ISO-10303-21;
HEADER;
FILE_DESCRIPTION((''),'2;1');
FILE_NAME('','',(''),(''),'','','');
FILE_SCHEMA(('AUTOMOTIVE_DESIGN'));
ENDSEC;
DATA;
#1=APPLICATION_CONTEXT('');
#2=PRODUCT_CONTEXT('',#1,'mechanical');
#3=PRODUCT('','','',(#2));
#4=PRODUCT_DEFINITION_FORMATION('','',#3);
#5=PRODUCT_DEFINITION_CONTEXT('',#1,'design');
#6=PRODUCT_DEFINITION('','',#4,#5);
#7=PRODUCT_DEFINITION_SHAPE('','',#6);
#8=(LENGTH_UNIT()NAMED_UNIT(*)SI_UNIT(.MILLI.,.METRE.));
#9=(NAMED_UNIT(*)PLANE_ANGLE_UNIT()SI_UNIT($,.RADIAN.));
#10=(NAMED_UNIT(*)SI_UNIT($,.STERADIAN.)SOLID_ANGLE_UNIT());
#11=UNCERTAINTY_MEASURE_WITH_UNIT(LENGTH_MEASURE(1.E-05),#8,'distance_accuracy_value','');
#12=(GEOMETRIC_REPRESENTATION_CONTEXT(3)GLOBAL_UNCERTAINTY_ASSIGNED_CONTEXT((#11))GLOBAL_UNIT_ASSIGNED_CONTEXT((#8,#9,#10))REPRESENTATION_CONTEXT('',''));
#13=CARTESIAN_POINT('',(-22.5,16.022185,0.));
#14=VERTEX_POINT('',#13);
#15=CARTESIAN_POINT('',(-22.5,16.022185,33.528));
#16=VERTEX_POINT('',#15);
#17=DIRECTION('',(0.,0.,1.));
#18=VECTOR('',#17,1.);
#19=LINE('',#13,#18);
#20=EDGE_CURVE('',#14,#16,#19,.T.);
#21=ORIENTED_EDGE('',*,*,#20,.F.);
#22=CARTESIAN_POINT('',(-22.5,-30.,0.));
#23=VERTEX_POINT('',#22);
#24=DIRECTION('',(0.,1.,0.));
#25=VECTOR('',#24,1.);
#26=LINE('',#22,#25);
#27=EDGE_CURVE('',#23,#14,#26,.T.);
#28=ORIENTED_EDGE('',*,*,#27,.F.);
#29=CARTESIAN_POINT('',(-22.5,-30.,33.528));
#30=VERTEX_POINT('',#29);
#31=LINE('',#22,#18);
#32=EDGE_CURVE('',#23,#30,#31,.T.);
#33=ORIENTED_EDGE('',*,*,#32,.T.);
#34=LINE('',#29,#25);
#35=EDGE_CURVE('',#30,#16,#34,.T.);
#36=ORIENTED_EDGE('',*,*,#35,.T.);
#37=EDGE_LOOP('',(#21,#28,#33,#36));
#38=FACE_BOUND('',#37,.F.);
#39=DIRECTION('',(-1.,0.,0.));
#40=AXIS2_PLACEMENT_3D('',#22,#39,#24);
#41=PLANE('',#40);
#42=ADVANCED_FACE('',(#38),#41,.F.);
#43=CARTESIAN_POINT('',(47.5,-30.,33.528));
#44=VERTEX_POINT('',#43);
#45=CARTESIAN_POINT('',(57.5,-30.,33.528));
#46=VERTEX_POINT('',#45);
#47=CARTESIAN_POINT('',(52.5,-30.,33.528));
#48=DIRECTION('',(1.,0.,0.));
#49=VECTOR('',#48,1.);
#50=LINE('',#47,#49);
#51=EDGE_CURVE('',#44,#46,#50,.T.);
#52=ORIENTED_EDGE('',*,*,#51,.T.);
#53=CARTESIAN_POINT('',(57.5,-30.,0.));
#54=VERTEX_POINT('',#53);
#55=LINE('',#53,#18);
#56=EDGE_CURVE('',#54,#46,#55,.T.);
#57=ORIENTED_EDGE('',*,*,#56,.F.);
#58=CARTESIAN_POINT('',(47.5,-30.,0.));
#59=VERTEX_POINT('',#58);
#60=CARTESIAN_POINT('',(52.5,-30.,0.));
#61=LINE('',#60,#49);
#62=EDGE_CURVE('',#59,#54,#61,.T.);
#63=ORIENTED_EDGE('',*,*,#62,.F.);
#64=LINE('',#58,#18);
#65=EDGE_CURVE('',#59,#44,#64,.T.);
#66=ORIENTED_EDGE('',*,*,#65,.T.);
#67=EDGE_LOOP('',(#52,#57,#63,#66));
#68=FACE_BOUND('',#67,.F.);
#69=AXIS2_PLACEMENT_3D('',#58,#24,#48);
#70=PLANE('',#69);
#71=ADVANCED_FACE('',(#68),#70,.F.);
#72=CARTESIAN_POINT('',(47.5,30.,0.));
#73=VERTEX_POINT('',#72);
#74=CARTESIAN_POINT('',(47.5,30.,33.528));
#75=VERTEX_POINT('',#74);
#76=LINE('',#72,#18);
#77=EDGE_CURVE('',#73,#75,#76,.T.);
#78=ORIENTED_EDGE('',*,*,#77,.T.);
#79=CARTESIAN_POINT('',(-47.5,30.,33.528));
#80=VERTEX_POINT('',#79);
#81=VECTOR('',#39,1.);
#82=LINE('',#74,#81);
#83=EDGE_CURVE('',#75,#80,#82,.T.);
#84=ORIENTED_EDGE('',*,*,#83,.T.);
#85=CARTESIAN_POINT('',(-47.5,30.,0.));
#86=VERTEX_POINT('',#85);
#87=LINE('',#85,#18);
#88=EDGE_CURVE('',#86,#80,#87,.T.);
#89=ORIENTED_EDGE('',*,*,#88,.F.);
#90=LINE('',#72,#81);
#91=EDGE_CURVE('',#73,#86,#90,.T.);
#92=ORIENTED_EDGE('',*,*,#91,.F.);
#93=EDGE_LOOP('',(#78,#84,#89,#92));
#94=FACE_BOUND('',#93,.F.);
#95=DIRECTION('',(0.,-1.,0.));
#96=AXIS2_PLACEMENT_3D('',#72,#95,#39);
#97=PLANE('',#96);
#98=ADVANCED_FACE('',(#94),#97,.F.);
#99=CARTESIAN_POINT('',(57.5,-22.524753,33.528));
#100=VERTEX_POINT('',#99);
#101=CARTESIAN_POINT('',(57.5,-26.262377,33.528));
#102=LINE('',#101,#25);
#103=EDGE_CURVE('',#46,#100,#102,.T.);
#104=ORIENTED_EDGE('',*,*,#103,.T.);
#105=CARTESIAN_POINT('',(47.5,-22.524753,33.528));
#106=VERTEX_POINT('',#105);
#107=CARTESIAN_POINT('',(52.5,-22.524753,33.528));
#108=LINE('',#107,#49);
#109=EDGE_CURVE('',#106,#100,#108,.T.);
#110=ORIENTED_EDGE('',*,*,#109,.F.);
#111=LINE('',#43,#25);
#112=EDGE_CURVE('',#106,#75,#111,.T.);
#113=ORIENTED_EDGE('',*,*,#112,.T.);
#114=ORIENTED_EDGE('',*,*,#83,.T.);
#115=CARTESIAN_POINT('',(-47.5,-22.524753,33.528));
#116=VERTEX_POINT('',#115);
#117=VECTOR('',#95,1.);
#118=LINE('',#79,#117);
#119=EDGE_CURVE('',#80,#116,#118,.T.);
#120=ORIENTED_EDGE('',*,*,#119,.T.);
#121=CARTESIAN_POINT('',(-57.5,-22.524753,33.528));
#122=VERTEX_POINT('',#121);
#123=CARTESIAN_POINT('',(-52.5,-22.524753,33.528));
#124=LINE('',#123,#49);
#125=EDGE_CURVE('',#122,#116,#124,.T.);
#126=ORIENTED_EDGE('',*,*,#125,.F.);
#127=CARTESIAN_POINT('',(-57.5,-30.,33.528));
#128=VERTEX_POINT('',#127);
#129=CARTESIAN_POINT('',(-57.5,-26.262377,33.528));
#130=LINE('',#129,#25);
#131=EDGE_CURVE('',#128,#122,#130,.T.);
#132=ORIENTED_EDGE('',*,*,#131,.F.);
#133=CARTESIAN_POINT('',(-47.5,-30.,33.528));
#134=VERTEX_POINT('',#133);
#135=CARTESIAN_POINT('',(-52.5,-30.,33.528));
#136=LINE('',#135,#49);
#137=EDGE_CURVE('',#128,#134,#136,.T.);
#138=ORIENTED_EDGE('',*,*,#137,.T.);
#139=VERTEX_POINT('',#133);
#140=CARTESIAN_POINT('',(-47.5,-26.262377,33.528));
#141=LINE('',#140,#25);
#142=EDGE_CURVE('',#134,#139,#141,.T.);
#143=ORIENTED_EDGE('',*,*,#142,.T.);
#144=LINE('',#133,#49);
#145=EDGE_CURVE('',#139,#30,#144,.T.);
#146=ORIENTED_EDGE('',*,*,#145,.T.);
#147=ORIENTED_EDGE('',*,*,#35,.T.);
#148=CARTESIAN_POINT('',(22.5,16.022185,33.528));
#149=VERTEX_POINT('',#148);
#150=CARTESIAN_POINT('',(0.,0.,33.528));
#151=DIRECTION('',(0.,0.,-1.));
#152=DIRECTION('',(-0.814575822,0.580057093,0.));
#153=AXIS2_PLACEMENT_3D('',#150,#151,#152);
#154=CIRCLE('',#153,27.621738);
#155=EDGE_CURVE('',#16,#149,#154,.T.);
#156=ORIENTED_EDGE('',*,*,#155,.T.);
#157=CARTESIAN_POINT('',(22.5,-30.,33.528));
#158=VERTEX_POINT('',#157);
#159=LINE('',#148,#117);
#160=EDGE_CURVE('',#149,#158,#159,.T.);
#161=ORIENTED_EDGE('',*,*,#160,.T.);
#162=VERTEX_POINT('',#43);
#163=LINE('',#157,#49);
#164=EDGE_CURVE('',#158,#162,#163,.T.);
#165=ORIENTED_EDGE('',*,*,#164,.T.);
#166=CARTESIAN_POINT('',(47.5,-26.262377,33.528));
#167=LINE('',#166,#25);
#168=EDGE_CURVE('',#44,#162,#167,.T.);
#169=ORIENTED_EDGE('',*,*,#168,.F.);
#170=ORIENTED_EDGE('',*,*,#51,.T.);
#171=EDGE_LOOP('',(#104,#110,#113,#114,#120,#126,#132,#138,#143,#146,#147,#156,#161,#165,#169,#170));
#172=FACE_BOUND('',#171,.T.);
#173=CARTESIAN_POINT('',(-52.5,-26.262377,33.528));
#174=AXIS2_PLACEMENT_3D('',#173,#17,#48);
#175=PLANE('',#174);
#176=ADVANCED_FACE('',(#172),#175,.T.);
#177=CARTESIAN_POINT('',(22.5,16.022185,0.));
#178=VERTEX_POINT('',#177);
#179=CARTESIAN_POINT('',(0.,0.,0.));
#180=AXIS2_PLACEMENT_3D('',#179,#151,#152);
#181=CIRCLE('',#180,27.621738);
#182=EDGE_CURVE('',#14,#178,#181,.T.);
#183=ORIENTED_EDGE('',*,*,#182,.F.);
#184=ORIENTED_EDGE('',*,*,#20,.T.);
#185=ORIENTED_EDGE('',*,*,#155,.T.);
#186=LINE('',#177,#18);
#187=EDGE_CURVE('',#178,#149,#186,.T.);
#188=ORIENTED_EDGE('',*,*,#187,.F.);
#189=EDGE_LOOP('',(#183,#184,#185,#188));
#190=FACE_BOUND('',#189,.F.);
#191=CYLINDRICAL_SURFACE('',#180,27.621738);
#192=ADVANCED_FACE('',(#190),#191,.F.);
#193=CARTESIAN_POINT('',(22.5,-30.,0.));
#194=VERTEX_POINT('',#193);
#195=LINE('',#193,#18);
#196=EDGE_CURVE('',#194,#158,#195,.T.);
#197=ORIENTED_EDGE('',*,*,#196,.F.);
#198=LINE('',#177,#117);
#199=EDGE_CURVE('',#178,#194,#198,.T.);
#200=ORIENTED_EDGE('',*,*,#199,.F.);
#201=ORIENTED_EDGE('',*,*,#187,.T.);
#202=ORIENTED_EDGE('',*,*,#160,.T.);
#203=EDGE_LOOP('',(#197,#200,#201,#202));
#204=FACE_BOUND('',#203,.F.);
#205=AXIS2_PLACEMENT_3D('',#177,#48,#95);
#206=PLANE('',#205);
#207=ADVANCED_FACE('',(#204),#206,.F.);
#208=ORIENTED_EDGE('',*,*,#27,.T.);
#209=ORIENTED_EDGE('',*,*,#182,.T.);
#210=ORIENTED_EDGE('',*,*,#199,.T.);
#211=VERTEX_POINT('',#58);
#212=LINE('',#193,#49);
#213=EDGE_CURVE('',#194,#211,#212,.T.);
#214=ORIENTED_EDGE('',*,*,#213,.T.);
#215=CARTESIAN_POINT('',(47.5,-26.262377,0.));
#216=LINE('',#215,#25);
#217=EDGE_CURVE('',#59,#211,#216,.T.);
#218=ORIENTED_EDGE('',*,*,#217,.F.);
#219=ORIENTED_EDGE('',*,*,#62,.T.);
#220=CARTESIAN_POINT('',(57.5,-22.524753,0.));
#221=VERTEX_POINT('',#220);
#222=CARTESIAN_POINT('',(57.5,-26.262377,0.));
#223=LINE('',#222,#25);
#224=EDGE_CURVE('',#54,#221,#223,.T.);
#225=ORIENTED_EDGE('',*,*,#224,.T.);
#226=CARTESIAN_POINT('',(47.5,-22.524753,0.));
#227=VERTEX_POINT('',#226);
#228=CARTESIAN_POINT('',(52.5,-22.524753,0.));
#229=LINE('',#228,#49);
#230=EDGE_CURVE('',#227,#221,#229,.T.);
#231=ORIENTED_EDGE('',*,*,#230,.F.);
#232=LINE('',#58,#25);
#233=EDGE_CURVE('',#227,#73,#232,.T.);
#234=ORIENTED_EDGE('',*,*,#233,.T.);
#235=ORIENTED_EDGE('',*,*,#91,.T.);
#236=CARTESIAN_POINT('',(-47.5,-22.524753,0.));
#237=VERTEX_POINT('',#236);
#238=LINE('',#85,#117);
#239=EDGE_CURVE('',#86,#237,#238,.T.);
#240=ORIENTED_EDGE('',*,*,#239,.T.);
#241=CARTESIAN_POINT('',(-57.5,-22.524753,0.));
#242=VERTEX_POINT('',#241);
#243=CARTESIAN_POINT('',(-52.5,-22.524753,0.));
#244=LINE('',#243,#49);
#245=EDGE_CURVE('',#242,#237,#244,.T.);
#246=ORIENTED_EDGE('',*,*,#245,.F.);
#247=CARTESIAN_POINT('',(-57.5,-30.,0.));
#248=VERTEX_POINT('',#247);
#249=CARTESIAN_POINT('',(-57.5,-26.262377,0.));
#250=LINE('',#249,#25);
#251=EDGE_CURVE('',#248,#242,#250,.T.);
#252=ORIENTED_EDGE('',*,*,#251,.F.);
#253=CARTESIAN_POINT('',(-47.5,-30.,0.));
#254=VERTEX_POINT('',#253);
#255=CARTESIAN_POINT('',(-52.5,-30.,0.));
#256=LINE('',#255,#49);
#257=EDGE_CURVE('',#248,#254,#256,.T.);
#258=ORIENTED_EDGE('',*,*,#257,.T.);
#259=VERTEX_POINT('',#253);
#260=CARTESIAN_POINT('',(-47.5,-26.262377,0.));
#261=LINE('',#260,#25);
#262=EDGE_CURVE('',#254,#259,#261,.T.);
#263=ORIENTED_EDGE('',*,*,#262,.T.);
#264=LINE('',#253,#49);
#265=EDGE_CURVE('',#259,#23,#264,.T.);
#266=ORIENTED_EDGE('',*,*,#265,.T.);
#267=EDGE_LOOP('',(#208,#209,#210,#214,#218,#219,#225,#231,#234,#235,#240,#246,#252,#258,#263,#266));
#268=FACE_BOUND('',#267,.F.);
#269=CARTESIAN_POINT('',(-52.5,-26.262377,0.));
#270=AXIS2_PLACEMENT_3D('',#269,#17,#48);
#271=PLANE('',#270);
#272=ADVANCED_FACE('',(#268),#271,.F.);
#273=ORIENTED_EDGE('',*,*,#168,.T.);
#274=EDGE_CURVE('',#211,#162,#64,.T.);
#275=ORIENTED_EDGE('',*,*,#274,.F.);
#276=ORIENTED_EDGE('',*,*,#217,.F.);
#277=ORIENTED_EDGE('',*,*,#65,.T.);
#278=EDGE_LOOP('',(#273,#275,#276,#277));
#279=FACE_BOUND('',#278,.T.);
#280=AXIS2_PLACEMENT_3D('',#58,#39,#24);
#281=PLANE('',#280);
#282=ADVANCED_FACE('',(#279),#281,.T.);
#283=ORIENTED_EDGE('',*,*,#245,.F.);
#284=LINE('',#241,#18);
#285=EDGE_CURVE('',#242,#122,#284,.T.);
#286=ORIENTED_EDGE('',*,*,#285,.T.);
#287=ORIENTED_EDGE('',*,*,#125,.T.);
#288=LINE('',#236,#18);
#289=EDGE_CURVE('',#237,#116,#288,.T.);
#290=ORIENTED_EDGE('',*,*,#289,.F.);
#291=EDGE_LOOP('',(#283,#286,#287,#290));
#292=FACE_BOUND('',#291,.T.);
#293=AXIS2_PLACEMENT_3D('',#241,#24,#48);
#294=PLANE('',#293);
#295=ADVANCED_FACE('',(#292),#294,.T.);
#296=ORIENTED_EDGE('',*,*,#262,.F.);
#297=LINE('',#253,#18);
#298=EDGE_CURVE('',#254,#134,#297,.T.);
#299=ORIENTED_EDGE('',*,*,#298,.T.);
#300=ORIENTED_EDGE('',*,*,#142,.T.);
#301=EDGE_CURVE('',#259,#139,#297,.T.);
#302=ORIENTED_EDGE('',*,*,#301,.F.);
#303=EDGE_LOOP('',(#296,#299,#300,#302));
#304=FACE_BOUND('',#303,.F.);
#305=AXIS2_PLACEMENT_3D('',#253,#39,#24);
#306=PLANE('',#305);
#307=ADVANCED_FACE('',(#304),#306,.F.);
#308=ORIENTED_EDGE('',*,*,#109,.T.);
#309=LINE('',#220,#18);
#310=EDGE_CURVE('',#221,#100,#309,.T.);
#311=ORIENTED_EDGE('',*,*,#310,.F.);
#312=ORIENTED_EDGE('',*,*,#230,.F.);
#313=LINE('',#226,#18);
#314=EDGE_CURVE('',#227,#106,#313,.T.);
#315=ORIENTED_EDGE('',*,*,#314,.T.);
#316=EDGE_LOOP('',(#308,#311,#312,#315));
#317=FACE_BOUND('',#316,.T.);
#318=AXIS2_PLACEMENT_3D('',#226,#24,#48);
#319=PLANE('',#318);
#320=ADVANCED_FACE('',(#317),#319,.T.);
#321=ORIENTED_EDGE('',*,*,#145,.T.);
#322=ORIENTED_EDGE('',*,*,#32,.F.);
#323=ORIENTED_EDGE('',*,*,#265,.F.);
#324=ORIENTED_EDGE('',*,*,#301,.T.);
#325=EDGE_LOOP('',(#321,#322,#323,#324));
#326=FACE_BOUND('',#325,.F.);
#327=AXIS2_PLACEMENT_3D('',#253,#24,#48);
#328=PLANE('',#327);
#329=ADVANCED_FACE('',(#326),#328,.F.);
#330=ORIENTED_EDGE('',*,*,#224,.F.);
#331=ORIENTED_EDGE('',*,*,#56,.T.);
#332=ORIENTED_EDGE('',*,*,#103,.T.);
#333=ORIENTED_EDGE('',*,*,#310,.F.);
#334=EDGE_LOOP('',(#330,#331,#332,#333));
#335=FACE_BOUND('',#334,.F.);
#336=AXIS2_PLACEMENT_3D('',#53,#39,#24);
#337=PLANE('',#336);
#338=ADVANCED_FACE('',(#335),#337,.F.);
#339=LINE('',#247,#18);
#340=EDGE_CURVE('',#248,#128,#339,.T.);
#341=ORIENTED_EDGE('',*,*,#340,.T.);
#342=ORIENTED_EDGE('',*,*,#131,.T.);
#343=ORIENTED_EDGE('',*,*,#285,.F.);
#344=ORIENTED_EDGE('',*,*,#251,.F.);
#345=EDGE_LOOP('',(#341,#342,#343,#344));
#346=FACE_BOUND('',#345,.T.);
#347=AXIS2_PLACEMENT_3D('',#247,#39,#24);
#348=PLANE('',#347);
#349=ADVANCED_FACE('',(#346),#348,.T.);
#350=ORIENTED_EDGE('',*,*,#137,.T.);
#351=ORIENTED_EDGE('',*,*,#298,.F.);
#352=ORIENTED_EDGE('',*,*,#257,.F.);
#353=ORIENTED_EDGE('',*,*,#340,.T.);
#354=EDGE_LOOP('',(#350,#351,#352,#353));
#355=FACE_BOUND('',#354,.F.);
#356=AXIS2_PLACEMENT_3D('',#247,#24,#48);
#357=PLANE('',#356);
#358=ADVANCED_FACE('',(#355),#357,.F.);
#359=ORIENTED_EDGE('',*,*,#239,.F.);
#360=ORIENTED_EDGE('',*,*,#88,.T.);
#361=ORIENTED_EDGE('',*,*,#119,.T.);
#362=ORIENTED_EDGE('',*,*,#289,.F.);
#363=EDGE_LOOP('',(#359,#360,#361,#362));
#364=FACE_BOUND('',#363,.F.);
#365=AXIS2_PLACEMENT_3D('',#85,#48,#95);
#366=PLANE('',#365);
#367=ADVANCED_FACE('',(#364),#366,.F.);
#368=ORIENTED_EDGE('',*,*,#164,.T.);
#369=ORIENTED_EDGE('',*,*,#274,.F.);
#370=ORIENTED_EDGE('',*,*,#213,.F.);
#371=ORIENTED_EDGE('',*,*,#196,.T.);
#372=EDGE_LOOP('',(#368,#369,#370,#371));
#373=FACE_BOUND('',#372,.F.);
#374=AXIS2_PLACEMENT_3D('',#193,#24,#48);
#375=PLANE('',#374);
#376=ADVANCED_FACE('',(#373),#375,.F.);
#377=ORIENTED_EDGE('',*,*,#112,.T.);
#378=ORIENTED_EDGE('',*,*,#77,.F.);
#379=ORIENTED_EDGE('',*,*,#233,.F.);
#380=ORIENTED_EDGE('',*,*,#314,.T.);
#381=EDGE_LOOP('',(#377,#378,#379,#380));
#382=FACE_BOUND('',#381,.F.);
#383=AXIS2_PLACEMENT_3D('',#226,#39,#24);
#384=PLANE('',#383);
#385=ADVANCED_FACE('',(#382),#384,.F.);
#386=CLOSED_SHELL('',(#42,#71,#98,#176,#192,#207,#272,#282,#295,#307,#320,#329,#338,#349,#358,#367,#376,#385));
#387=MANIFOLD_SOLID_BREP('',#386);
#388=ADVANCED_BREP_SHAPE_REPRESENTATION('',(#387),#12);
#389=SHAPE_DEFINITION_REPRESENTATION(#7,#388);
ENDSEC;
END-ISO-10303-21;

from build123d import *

# Parameters (mm, degrees)
F0_W     = 10
F0_H     = 7.475247
F1_DEPTH = 33.528


with BuildPart() as f1:
    # F0 (on Top) → F1 (new body)
    with BuildSketch(Plane.XY):
        with Locations((-52.5, -26.262377)):
            Rectangle(F0_W, F0_H)
        with Locations((52.5, -26.262377)):
            Rectangle(F0_W, F0_H)
        with BuildLine():
            Line((47.5, 30), (-47.5, 30))
            Line((-47.5, 30), (-47.5, -22.524753))
            Line((-47.5, -22.524753), (-47.5, -30))
            Line((-47.5, -30), (-22.5, -30))
            Line((-22.5, -30), (-22.5, 0))
            Line((-22.5, 0), (-22.5, 16.022185))
            ThreePointArc((-22.5, 16.022185), (0, 27.621738), (22.5, 16.022185))
            Line((22.5, 16.022185), (22.5, 0))
            Line((22.5, 0), (22.5, -30))
            Line((22.5, -30), (47.5, -30))
            Line((47.5, -30), (47.5, -22.524753))
            Line((47.5, -22.524753), (47.5, 30))
        make_face()
    extrude(amount=F1_DEPTH)


solid = f1.part
